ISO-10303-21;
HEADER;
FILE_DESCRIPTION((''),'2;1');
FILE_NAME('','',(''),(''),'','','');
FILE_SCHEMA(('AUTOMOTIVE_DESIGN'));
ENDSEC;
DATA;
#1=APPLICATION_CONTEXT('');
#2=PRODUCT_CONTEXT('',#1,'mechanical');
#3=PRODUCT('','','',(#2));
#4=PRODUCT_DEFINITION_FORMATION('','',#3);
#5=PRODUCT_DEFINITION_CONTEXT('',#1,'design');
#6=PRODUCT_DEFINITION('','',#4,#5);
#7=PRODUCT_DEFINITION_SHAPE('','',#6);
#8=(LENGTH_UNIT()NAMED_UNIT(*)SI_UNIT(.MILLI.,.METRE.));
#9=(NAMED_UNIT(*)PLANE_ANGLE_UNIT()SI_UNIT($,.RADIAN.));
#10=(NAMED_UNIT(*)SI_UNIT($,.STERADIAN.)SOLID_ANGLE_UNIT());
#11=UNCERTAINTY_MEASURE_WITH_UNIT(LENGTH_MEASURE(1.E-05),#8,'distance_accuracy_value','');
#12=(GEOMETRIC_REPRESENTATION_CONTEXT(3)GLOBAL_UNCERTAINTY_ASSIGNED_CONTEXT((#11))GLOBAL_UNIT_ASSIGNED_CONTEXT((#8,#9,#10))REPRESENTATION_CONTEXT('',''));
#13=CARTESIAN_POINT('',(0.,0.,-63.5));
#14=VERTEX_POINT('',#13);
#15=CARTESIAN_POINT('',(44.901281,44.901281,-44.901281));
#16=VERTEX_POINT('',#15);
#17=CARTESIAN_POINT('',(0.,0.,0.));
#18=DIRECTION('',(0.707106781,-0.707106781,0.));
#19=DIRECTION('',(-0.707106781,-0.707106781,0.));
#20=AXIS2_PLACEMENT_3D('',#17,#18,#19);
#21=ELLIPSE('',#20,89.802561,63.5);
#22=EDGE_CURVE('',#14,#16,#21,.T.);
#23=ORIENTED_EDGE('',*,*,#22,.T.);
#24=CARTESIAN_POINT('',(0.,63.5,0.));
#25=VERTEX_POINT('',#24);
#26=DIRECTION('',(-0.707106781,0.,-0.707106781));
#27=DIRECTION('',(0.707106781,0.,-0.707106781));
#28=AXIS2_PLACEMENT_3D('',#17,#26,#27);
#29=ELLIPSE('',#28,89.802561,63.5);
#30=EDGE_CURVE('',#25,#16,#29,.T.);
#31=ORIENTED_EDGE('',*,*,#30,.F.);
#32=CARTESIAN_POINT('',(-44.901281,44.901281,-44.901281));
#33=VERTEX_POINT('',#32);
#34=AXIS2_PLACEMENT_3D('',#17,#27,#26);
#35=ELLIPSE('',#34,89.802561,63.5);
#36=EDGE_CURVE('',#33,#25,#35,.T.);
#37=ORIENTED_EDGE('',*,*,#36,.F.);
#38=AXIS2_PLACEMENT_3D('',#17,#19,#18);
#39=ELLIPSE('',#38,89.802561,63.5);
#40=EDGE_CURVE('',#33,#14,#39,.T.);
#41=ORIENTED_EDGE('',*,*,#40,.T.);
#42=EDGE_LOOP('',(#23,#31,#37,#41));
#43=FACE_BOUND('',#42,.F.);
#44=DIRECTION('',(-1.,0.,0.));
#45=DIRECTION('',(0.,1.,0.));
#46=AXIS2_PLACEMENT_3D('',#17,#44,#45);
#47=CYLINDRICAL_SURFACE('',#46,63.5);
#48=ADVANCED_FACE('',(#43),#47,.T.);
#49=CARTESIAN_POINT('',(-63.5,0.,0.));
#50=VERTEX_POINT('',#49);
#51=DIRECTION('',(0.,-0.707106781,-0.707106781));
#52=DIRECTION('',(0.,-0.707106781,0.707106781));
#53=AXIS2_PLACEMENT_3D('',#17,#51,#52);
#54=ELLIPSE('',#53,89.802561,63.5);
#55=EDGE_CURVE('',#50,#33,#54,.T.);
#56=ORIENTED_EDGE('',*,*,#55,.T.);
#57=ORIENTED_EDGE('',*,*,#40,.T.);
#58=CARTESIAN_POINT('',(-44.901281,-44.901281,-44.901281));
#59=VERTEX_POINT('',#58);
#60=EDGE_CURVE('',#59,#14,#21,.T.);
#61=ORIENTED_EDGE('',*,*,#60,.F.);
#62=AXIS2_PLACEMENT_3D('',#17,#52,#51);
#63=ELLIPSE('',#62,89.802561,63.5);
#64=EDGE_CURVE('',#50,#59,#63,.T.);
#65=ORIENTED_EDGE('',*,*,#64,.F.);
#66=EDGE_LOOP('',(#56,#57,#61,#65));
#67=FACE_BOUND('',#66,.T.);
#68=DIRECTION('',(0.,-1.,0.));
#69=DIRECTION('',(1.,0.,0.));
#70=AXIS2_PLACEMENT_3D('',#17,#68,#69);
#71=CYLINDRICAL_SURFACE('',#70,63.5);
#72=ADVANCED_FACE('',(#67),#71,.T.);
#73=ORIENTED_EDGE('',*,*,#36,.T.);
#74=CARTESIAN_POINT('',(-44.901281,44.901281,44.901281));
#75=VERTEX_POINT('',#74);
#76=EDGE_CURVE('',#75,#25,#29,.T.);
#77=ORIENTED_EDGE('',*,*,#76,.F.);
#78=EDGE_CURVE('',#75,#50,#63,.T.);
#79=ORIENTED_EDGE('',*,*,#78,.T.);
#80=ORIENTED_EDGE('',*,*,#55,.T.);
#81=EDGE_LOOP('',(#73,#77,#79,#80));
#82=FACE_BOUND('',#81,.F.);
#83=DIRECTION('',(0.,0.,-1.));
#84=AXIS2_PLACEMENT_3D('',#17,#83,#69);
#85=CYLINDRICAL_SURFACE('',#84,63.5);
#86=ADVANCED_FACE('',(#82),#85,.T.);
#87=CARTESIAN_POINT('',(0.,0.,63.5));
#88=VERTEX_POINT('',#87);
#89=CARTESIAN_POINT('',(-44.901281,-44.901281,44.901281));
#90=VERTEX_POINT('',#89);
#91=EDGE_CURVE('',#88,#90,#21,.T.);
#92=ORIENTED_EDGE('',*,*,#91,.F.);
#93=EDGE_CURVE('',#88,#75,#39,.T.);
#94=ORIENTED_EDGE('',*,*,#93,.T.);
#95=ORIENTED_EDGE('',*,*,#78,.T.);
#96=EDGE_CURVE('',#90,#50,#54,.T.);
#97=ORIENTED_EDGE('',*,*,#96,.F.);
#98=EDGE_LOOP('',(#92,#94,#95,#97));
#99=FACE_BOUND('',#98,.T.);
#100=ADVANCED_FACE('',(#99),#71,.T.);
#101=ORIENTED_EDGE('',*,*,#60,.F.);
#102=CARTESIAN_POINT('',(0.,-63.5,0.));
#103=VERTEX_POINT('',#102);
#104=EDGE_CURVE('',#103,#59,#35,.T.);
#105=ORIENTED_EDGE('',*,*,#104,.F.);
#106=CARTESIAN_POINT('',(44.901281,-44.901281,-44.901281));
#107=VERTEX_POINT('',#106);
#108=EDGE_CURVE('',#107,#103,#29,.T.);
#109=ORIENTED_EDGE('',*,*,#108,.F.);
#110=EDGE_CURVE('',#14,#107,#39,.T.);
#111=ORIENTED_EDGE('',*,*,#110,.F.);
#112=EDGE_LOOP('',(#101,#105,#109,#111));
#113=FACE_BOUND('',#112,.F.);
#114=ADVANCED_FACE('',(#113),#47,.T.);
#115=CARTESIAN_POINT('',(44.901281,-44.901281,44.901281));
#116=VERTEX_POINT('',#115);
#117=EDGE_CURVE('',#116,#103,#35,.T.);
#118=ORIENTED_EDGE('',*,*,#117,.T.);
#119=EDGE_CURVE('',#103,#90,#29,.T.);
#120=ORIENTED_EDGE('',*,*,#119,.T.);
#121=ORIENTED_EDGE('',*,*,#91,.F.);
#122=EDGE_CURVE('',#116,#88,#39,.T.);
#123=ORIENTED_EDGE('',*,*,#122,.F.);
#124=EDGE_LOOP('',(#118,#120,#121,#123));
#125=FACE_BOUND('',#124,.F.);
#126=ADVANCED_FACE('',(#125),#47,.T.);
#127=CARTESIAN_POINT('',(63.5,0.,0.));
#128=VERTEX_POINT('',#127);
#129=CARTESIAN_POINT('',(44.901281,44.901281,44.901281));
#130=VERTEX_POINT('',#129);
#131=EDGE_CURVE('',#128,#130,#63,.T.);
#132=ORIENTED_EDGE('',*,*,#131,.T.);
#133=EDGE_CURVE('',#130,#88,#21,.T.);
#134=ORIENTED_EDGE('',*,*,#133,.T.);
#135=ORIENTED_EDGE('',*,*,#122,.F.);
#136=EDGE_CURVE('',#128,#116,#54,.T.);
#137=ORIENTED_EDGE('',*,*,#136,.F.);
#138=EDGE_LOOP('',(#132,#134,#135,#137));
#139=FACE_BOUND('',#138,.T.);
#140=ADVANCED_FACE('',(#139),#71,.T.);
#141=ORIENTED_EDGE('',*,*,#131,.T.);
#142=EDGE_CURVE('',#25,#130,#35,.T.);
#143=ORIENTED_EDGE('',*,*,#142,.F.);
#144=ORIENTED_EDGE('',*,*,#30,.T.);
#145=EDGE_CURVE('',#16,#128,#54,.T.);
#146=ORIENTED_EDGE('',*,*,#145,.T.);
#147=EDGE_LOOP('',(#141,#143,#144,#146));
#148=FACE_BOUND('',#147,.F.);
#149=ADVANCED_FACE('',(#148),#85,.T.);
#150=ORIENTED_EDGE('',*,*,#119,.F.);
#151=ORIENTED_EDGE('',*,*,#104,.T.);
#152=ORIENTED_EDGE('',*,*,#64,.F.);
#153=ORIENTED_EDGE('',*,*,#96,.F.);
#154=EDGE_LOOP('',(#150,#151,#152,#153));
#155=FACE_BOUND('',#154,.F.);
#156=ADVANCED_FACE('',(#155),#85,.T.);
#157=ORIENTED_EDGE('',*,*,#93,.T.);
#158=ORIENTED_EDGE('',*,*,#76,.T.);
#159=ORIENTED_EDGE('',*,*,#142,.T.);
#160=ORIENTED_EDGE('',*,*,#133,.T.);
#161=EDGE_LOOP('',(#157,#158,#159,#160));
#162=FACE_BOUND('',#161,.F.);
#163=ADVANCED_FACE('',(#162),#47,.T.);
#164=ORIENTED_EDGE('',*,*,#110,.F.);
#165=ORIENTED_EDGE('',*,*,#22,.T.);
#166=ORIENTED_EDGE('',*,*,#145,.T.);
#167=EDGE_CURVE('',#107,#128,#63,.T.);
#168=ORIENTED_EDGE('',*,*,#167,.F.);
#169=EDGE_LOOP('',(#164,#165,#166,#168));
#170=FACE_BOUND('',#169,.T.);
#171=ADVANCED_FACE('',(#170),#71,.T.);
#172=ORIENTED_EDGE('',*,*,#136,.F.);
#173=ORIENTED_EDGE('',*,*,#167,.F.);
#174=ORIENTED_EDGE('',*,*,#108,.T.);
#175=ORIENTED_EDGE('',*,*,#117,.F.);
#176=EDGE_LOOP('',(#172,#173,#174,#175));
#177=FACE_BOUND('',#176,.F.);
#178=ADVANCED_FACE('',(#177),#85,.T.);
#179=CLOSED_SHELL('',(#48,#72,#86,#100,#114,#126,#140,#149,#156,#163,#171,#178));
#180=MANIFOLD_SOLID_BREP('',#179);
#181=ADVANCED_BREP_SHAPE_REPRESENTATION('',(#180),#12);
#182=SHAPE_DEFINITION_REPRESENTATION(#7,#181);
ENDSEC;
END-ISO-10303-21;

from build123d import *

# Parameters (mm, degrees)
F0_R     = 63.5
F1_DEPTH = 63.5
F2_W     = 209.9135220051
F2_H     = 188.6474490166
F2_R     = 63.5
F3_DEPTH = 63.5
F4_W     = 154.9591273069
F4_H     = 152.5524
F4_R     = 63.5
F5_DEPTH = 63.5


with BuildPart() as f1:
    # F0 (on Front) → F1 (new body, symmetric)
    with BuildSketch(Plane.XZ):
        Circle(F0_R)
    extrude(amount=F1_DEPTH, both=True)

    # F2 (on Top) → F3 (cut, symmetric)
    with BuildSketch(Plane.XY):
        Rectangle(F2_W, F2_H)
        Circle(F2_R, mode=Mode.SUBTRACT)
    extrude(amount=F3_DEPTH, both=True, mode=Mode.SUBTRACT)

    # F4 (on Right) → F5 (cut, symmetric)
    with BuildSketch(Plane.YZ):
        Rectangle(F4_W, F4_H)
        Circle(F4_R, mode=Mode.SUBTRACT)
    extrude(amount=F5_DEPTH, both=True, mode=Mode.SUBTRACT)


solid = f1.part
